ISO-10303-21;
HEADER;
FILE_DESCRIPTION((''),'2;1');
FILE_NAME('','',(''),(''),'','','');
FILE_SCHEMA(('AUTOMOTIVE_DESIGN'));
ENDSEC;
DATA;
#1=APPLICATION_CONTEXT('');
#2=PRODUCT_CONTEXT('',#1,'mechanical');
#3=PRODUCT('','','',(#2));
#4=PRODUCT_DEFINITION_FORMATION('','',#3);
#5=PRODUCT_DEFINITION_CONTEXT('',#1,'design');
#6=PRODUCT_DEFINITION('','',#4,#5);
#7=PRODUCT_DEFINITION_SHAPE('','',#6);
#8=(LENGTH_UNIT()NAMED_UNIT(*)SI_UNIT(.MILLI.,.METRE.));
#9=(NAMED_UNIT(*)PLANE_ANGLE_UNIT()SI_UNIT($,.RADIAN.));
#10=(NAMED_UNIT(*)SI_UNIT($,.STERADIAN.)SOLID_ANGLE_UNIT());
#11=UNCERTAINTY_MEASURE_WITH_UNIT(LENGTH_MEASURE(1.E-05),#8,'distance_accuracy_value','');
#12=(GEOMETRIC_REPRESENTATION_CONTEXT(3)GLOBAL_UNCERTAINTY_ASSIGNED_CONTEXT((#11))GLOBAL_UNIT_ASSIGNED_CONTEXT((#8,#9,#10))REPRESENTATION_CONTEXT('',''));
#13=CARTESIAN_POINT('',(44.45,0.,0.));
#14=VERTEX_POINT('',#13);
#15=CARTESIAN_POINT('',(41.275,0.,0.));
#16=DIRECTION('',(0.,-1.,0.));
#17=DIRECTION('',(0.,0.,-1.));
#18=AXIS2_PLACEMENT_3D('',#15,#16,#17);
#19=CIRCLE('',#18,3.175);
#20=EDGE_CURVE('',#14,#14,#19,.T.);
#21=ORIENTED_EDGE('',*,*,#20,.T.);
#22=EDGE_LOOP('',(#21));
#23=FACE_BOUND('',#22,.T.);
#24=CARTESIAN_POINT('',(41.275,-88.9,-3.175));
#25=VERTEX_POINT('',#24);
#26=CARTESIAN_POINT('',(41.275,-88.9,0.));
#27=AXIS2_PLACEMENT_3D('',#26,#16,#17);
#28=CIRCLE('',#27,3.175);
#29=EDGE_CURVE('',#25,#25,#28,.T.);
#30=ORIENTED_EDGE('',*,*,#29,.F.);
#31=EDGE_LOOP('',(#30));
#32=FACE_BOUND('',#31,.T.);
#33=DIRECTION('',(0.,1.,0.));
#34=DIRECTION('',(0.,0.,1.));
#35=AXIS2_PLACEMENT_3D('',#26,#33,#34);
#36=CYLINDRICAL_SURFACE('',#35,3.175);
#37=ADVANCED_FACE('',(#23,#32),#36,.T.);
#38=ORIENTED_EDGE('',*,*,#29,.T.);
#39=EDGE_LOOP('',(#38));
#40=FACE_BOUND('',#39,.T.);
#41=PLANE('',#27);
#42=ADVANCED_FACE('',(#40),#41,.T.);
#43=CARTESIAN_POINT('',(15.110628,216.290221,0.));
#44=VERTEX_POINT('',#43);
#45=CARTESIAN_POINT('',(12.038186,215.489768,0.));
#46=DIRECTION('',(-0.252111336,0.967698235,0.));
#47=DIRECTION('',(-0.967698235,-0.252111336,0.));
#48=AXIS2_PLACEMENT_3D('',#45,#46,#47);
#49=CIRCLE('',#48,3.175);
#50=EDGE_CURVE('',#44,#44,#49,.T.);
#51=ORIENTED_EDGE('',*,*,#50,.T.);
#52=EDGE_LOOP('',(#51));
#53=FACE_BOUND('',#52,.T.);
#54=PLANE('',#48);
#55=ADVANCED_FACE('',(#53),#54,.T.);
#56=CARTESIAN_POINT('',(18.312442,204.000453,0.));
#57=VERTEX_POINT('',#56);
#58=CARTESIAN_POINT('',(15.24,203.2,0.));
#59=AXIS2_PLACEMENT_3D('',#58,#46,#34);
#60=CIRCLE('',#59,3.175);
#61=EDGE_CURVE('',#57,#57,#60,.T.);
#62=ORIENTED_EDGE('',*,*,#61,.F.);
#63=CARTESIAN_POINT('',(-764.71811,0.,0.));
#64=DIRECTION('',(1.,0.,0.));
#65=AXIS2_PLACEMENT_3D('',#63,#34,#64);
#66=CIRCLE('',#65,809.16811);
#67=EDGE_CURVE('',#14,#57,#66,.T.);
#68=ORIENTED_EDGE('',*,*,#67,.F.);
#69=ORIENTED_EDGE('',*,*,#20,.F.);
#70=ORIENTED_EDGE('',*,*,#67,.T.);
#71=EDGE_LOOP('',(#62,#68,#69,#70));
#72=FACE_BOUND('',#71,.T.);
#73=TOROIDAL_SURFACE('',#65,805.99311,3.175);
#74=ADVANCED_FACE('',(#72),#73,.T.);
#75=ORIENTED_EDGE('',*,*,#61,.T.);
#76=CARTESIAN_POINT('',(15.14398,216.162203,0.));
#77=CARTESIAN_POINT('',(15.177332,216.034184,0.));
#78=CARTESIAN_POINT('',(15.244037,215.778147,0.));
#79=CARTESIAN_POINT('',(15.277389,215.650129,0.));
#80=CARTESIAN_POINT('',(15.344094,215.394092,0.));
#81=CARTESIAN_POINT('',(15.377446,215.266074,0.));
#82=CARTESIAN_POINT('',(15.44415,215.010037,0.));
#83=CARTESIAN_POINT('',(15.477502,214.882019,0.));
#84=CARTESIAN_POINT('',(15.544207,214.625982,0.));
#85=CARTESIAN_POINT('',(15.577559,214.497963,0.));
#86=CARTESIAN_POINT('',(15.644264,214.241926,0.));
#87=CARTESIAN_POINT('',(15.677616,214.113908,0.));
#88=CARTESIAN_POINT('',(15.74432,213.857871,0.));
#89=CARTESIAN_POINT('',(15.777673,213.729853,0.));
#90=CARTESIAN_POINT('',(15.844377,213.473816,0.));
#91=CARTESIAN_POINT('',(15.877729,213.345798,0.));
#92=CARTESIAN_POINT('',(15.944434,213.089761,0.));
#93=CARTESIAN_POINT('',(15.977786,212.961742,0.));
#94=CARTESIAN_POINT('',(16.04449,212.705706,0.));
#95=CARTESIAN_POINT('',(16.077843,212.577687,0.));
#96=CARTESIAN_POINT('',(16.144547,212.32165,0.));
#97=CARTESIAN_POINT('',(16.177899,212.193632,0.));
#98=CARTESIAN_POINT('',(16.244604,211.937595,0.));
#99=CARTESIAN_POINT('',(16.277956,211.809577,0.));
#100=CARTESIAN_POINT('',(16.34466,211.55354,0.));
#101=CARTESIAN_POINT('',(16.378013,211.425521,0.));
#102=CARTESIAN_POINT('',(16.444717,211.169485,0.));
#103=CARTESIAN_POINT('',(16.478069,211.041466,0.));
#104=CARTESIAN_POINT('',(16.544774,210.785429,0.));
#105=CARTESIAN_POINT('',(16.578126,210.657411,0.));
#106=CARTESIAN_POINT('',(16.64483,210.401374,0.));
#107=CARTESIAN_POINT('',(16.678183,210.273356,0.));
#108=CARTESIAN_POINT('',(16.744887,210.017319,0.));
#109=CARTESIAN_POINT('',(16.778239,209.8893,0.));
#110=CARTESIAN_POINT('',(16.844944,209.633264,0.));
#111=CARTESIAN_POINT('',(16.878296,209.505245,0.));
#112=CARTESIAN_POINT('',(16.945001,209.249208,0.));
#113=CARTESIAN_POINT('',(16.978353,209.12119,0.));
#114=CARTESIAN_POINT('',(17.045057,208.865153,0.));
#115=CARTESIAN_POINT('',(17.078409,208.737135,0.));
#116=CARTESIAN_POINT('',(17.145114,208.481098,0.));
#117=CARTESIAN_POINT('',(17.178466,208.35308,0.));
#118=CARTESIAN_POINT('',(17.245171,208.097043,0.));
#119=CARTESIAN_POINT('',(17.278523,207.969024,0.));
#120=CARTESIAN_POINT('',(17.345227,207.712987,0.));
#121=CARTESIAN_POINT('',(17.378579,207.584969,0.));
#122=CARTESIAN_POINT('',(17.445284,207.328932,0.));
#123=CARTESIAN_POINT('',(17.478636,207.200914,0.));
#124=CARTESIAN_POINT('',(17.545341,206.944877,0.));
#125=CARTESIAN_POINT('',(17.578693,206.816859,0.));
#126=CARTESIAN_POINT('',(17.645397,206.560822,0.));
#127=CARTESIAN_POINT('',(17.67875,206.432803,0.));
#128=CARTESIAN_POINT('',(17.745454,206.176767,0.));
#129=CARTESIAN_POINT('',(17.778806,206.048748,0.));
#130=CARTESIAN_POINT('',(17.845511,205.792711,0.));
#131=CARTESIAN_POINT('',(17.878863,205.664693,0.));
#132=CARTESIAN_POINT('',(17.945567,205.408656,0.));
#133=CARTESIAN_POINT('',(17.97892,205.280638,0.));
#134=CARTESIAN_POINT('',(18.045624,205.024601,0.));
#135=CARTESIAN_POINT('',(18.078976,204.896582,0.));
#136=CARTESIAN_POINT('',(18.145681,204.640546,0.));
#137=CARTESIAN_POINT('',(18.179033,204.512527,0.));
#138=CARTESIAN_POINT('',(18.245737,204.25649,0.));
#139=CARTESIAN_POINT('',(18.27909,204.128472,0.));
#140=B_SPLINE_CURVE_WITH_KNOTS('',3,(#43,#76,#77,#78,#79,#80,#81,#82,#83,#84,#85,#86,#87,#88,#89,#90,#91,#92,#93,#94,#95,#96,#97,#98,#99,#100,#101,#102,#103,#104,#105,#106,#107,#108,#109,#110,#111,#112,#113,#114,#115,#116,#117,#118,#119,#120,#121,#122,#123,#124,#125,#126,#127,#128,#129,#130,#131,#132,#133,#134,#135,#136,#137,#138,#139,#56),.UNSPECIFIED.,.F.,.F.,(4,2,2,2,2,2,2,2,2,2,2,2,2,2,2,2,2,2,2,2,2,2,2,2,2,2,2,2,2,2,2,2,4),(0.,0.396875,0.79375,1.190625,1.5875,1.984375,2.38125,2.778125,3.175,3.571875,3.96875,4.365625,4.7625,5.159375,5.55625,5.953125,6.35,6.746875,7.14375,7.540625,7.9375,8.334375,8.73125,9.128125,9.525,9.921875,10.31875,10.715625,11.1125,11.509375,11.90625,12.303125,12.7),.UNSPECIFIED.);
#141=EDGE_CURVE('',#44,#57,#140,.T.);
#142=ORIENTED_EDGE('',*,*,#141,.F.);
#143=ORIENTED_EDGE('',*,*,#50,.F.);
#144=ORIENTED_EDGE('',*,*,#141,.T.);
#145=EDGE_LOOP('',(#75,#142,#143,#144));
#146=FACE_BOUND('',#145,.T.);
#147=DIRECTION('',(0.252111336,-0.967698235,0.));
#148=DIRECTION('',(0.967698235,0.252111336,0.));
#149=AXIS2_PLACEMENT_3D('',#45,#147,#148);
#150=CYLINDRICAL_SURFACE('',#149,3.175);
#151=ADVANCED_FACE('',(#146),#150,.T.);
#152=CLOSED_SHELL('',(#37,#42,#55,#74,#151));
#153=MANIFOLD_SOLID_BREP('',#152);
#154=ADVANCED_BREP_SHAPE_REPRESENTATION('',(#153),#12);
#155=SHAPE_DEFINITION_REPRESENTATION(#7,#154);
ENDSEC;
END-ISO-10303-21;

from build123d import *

# Parameters (mm, degrees)
SKETCH2_R           = 3.175
SKETCH4_R           = 3.175
BOSS_EXTRUDE1_DEPTH = 12.7
SKETCH5_R           = 3.175
BOSS_EXTRUDE2_DEPTH = 88.9


with BuildPart() as part:
    # Sweep1: sweep along a path in Sketch1
    with BuildLine(Plane.XY) as sweep1_path:
        ThreePointArc((41.275, 0), (34.739755092, 102.430538934), (15.24, 203.2))
    # Sketch2 → Sweep1 (sweep)
    with BuildSketch(Plane(origin=(0, 0, 0), x_dir=(1, 0, 0), z_dir=(0, 1, 0))):
        with Locations((41.275, 0)):
            Circle(SKETCH2_R)
    sweep(path=sweep1_path.line)

    # Sketch4 → Boss-Extrude1 (add)
    with BuildSketch(Plane(origin=(-48.605579352, 186.566514737, 0), x_dir=(0.9676982350284877, 0.25211133636302385, 0), z_dir=(-0.25211133636302385, 0.9676982350284877, 0))):
        with Locations((65.976744651, 0)):
            Circle(SKETCH4_R)
    extrude(amount=BOSS_EXTRUDE1_DEPTH)

    # Sketch5 → Boss-Extrude2 (add)
    with BuildSketch(Plane.XZ):
        with Locations((41.275, 0)):
            Circle(SKETCH5_R)
    extrude(amount=BOSS_EXTRUDE2_DEPTH)


solid = part.part
